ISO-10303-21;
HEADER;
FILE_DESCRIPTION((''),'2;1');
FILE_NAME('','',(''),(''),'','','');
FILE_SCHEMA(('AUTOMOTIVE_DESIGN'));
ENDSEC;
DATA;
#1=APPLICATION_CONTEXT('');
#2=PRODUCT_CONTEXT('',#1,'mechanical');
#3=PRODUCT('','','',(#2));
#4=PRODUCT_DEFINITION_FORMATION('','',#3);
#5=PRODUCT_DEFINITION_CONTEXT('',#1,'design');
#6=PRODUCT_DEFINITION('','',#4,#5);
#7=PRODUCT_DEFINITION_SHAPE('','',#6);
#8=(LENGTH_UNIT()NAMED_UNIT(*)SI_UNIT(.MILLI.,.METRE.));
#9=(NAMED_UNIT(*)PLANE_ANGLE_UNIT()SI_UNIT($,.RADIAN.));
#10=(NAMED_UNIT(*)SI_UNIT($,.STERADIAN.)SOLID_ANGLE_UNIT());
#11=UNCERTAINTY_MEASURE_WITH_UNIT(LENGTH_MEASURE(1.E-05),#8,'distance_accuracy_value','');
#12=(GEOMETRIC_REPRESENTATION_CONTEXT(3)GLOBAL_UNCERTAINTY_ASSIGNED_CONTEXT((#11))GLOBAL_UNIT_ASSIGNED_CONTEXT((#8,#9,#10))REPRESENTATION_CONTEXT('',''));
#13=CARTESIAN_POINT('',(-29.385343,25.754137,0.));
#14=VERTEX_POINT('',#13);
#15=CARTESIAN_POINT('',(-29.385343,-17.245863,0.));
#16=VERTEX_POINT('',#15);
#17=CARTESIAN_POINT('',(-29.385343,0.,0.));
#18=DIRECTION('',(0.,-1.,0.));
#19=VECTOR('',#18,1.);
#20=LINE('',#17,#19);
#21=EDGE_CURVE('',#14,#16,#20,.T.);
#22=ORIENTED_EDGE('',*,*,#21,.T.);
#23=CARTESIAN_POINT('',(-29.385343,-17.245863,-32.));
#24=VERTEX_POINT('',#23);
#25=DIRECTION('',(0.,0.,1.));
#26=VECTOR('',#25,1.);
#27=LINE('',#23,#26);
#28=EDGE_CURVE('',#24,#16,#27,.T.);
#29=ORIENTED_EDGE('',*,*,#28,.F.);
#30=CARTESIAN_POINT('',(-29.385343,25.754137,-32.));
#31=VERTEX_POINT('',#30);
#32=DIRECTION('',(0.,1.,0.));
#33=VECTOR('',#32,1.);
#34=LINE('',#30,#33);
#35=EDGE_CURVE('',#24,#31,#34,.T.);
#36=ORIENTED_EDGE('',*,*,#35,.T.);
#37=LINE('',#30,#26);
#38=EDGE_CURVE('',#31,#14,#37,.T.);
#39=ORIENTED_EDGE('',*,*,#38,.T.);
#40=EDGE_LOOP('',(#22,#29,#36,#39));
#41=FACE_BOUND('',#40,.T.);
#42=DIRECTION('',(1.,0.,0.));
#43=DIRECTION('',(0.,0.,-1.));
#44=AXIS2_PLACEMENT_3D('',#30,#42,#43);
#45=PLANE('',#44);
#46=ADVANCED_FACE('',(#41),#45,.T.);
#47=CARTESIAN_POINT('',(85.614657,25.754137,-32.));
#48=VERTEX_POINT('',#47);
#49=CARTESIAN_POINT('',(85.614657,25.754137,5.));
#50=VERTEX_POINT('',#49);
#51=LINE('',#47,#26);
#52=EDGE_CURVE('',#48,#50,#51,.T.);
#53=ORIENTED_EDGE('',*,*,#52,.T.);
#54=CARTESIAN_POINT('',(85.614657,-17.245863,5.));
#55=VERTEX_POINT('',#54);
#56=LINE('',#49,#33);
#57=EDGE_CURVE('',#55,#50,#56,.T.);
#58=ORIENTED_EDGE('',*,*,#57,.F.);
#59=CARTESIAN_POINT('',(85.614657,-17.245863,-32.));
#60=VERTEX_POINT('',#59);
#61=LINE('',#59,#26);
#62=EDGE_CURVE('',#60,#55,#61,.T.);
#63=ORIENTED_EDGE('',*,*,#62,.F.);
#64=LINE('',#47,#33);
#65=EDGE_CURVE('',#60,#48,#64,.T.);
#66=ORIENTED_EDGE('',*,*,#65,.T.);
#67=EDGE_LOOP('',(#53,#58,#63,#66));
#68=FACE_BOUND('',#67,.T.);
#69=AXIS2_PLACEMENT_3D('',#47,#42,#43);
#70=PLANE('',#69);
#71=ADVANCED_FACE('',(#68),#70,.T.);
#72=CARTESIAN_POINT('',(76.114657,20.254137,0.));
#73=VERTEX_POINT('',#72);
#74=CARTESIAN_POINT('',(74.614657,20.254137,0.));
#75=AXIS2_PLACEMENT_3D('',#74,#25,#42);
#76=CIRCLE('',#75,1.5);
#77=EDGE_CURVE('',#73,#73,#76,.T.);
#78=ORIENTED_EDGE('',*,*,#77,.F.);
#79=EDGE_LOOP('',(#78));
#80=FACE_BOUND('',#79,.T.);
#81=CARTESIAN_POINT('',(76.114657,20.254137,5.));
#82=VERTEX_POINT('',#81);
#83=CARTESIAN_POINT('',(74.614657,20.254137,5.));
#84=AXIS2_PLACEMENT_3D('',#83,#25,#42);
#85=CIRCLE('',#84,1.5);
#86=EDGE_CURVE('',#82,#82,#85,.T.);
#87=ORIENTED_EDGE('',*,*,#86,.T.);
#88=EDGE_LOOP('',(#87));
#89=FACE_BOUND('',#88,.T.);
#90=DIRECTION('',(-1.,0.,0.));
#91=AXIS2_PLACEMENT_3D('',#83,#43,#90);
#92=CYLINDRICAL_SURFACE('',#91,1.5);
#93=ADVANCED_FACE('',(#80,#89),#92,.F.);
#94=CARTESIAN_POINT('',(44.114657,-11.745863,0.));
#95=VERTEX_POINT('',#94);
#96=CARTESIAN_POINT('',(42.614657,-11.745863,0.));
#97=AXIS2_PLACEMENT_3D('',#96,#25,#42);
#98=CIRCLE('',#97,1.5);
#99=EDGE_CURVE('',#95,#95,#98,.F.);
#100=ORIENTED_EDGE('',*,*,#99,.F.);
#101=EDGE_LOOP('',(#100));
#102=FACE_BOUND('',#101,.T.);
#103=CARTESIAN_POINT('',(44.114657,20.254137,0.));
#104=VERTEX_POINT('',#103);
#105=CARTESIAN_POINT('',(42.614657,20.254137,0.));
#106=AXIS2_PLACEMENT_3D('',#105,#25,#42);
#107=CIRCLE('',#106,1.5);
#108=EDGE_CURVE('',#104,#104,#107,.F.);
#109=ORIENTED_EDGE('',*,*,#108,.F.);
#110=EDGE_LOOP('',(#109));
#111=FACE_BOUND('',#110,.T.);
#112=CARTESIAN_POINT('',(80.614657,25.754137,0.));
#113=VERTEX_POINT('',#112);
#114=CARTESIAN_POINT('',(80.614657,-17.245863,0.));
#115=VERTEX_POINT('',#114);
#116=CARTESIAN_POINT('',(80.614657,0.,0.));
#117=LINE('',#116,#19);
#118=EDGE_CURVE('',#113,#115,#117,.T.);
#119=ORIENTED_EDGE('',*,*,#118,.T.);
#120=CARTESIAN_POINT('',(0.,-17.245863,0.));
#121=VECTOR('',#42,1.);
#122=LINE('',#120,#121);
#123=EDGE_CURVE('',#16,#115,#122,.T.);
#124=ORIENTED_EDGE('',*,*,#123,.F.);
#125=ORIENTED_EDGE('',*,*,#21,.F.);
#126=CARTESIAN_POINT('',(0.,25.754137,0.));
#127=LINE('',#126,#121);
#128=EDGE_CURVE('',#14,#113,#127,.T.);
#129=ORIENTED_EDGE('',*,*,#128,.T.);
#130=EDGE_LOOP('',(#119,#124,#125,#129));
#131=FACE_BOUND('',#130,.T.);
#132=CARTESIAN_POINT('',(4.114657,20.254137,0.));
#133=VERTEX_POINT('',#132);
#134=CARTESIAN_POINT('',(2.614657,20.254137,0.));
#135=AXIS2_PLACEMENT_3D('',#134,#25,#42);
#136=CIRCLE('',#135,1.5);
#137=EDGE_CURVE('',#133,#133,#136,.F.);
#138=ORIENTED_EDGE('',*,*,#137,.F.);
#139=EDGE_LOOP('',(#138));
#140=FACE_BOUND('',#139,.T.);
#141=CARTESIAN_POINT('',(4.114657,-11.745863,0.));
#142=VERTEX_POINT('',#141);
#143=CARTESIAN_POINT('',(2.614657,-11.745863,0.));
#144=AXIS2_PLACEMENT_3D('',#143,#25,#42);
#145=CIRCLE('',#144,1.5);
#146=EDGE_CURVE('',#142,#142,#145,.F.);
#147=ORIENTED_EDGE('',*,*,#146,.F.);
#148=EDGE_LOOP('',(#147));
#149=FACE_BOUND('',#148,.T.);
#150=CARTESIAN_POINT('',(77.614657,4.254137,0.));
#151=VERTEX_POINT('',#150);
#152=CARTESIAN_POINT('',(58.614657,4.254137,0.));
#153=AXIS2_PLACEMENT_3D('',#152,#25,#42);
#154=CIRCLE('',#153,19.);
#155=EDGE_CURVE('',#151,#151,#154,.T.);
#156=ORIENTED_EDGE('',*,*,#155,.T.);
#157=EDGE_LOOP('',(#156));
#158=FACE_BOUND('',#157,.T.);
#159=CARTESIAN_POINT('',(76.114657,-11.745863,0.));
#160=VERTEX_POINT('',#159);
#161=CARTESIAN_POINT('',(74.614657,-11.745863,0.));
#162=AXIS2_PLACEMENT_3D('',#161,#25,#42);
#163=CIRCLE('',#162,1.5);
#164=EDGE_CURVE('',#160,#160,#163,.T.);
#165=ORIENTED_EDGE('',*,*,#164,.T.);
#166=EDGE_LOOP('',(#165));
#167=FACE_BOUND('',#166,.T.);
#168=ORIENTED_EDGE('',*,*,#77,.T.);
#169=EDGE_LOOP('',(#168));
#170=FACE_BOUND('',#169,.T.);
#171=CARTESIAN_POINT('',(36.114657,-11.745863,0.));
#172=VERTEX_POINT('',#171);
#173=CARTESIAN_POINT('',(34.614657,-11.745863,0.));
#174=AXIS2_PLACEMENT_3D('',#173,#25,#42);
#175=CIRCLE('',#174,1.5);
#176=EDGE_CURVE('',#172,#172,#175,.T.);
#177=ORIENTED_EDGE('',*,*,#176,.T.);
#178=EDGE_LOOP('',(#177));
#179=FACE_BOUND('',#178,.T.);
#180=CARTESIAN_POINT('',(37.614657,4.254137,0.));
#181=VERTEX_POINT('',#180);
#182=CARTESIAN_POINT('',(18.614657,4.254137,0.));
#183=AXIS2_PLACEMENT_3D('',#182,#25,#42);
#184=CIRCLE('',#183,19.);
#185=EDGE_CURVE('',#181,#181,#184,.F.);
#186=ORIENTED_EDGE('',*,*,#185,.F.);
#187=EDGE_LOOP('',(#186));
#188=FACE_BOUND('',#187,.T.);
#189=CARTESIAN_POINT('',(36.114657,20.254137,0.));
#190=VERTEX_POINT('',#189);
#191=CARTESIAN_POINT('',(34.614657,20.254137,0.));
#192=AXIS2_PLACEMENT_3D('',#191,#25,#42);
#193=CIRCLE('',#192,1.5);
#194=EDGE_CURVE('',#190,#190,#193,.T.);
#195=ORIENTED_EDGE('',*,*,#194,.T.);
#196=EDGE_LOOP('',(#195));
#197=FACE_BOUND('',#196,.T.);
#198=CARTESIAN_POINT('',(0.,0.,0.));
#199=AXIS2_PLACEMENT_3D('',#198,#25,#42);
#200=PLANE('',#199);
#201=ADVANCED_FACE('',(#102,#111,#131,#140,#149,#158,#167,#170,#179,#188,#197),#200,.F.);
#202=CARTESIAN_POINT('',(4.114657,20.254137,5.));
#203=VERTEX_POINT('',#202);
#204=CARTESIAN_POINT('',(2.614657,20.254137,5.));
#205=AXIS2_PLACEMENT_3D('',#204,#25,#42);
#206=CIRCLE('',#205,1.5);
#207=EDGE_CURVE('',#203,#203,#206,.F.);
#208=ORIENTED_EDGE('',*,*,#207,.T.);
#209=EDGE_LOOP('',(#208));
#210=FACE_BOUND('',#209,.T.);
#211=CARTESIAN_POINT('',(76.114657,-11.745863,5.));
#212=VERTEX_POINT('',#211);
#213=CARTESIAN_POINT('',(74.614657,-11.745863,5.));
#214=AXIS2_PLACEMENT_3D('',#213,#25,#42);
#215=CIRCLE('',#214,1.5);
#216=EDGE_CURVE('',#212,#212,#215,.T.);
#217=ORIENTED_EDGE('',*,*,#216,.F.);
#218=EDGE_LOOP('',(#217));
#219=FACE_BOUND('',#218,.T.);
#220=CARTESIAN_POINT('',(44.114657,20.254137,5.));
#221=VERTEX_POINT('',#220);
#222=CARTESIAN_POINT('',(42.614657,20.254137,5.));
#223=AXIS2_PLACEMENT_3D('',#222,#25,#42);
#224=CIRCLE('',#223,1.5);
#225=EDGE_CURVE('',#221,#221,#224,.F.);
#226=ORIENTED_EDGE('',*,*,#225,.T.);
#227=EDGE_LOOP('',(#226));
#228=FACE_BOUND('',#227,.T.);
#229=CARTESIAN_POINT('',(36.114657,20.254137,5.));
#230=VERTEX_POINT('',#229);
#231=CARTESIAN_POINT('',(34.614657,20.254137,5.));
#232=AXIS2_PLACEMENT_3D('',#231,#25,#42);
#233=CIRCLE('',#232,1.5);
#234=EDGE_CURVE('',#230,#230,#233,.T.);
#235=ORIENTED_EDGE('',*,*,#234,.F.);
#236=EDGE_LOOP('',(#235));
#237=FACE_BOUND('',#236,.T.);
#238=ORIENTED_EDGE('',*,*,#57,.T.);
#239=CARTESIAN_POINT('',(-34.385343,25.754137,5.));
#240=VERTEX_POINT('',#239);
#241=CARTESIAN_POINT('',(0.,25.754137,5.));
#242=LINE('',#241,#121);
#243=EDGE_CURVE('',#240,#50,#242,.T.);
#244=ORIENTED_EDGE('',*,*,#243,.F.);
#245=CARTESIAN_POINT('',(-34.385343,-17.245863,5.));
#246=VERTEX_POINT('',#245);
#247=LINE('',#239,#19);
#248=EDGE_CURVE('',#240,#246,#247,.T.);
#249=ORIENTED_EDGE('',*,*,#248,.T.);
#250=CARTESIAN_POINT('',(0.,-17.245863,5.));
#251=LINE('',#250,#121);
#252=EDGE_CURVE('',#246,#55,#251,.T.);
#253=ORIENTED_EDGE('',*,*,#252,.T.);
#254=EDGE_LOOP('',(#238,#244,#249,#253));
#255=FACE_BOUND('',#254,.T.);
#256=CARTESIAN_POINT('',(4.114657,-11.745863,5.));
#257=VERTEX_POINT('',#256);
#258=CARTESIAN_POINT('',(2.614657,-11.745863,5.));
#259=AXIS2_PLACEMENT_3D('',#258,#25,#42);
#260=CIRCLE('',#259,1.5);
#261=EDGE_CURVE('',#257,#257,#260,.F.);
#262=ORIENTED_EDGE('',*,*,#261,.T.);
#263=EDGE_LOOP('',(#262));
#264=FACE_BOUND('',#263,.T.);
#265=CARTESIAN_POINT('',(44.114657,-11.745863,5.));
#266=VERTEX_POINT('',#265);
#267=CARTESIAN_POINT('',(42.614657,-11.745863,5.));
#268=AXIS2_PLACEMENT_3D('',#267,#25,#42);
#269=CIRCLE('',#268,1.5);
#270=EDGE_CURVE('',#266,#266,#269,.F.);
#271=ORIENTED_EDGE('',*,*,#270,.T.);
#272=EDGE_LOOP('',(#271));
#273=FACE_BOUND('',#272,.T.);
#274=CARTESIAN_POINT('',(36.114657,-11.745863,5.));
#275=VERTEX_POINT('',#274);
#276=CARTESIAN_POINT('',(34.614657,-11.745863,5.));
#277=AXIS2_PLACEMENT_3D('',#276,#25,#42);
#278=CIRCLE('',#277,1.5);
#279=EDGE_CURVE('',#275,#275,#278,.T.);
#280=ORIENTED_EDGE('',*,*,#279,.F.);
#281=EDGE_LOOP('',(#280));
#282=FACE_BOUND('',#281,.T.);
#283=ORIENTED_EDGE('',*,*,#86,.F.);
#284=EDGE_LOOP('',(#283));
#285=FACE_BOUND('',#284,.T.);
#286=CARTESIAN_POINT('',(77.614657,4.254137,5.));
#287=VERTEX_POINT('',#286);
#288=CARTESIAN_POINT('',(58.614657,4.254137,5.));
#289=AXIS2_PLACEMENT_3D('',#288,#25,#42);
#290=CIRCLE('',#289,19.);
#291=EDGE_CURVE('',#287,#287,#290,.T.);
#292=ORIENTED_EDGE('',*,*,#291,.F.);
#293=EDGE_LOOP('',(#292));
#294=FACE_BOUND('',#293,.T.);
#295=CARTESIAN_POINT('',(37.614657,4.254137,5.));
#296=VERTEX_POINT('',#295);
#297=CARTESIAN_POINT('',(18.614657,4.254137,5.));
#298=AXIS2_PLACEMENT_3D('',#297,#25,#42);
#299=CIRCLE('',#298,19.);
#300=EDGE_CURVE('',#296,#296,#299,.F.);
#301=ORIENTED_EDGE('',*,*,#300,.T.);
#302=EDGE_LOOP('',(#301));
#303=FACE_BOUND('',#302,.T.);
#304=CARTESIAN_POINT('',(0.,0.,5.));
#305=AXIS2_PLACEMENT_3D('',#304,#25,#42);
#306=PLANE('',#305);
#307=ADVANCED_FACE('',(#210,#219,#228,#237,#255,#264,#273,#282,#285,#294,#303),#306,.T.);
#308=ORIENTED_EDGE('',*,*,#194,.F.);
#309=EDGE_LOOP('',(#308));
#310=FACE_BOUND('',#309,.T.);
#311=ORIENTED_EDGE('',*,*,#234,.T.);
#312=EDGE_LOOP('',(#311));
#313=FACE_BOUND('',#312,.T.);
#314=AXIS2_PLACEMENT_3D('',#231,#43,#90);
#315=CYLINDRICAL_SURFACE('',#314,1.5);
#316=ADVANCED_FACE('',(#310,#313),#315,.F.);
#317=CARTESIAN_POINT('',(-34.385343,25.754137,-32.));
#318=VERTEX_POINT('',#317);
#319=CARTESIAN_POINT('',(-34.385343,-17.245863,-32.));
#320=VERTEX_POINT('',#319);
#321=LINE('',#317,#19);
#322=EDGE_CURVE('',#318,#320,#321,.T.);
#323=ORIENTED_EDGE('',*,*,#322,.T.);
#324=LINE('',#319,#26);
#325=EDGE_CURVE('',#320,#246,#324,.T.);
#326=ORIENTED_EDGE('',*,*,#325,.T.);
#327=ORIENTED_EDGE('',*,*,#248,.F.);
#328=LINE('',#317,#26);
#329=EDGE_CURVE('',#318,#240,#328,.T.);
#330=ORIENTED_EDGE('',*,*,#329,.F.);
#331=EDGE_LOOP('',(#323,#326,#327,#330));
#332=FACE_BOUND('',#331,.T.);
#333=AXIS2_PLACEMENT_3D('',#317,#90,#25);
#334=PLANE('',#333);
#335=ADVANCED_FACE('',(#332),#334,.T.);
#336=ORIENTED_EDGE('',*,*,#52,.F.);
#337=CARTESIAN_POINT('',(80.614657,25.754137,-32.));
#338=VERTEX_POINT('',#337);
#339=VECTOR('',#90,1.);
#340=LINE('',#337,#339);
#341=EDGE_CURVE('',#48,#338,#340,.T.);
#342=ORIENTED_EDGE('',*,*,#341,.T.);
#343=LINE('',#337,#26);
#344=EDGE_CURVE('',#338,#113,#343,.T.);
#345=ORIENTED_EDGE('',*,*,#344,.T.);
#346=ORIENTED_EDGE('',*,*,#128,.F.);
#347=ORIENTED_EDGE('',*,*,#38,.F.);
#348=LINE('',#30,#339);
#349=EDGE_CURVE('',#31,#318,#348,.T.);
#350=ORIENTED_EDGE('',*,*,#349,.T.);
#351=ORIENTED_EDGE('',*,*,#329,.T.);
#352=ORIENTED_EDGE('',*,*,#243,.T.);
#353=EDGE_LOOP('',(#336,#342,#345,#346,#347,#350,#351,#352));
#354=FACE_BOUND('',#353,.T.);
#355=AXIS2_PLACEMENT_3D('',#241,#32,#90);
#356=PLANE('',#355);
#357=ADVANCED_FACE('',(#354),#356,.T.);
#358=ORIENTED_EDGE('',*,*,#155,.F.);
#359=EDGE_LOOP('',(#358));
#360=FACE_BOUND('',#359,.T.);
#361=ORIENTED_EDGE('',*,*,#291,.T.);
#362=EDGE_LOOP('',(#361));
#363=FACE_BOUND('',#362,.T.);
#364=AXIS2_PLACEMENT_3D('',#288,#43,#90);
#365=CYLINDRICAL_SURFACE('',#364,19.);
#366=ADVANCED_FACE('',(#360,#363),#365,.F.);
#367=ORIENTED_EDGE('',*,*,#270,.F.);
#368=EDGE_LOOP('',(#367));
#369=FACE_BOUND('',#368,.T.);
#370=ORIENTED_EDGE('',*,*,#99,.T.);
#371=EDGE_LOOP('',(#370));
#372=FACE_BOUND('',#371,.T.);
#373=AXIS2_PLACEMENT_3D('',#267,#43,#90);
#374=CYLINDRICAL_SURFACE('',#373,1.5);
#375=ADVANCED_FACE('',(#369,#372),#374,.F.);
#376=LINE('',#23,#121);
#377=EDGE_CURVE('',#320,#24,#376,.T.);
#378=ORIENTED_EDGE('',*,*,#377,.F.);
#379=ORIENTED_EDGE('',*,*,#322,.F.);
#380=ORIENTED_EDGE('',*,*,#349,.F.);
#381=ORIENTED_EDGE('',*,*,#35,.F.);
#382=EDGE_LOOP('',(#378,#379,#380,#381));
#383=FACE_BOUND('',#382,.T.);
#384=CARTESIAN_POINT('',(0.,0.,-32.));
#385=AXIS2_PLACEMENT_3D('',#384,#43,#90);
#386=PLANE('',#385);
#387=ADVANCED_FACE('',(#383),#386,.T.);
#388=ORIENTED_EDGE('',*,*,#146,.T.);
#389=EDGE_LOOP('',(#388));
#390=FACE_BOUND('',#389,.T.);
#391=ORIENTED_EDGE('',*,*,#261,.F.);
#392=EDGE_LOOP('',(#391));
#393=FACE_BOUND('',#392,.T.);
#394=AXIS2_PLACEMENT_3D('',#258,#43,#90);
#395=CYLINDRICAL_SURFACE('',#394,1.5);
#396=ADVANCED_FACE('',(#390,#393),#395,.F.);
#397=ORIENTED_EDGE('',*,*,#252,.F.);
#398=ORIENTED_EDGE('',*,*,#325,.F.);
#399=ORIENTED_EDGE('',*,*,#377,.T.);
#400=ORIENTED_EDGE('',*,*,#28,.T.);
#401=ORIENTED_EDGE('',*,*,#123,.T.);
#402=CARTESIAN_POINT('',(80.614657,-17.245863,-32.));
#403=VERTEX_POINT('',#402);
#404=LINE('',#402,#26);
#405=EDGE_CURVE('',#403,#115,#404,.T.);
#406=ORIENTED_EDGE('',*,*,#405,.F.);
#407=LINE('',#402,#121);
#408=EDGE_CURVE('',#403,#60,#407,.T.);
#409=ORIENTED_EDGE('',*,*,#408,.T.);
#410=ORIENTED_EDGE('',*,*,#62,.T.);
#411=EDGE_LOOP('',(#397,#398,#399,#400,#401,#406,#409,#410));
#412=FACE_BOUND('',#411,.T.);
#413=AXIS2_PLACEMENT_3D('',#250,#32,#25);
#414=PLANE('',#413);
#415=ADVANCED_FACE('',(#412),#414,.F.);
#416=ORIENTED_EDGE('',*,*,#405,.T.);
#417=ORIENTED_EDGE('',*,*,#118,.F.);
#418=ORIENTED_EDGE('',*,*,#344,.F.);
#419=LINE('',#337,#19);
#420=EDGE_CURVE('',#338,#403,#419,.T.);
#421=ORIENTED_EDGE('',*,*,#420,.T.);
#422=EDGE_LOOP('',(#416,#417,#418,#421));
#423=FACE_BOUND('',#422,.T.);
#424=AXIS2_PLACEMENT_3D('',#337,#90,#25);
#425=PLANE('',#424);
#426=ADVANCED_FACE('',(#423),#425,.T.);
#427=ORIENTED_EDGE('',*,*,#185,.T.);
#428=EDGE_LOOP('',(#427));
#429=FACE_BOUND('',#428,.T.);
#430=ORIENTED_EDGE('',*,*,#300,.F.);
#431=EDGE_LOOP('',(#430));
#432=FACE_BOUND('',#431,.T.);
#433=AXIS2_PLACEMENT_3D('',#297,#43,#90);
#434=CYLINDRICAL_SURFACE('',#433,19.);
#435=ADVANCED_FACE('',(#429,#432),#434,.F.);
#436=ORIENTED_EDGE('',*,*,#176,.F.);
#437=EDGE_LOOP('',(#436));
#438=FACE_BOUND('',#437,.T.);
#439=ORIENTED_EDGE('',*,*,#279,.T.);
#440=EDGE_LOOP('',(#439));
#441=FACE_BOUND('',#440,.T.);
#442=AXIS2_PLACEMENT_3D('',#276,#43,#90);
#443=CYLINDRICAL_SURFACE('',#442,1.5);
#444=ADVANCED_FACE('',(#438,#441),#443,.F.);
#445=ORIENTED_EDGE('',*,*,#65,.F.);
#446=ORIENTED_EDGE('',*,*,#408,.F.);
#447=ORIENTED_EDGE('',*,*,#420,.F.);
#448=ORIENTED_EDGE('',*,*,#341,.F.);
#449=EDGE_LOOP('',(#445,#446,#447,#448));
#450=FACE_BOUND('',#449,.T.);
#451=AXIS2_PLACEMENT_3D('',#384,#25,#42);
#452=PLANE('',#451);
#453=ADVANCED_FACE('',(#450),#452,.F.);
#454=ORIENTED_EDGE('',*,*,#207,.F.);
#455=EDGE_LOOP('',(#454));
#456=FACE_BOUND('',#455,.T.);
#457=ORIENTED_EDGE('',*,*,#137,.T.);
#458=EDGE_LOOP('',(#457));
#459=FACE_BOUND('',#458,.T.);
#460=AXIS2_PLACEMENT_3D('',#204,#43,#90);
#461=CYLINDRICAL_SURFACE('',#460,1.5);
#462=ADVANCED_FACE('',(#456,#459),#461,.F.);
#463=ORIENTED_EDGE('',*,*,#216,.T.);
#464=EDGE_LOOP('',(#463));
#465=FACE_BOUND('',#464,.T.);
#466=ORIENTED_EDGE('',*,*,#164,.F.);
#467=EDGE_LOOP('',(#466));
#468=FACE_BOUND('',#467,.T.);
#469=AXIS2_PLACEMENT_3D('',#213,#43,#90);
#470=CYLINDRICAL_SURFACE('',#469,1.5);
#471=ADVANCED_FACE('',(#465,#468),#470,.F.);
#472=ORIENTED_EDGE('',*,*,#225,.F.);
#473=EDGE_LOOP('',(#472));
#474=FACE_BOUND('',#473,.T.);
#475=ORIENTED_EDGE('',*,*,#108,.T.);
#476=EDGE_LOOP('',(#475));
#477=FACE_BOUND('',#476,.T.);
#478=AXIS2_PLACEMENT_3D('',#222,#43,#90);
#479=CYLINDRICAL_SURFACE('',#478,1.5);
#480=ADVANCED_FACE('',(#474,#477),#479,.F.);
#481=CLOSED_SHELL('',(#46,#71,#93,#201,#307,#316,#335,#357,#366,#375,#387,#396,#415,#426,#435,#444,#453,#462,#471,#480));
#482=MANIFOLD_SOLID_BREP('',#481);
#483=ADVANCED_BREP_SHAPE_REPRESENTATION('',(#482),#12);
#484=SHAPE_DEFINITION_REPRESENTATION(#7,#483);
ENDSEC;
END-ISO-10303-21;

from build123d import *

# Parameters (mm, degrees)
SKETCH_1_W      = 110
SKETCH_1_H      = 43
SKETCH_1_R      = 19
SKETCH_1_R_2    = 1.5
EXTRUDE_2_DEPTH = 5
SKETCH_2_W      = 5
SKETCH_2_H      = 43
EXTRUDE_4_DEPTH = 37


with BuildPart() as part:
    # 草图1 → 凸台-拉伸2 (new body)
    with BuildSketch(Plane.XY):
        with Locations((25.61465721, 4.254137116)):
            Rectangle(SKETCH_1_W, SKETCH_1_H)
        with Locations((58.61465721, 4.254137116)):
            Circle(SKETCH_1_R, mode=Mode.SUBTRACT)
        with Locations((74.61465721, 20.254137116)):
            Circle(SKETCH_1_R_2, mode=Mode.SUBTRACT)
        with Locations((74.61465721, -11.745862884)):
            Circle(SKETCH_1_R_2, mode=Mode.SUBTRACT)
        with Locations((42.61465721, -11.745862884)):
            Circle(SKETCH_1_R_2, mode=Mode.SUBTRACT)
        with Locations((42.61465721, 20.254137116)):
            Circle(SKETCH_1_R_2, mode=Mode.SUBTRACT)
        with Locations((34.61465721, -11.745862884)):
            Circle(SKETCH_1_R_2, mode=Mode.SUBTRACT)
        with Locations((2.61465721, -11.745862884)):
            Circle(SKETCH_1_R_2, mode=Mode.SUBTRACT)
        with Locations((2.61465721, 20.254137116)):
            Circle(SKETCH_1_R_2, mode=Mode.SUBTRACT)
        with Locations((34.61465721, 20.254137116)):
            Circle(SKETCH_1_R_2, mode=Mode.SUBTRACT)
        with Locations((18.61465721, 4.254137116)):
            Circle(SKETCH_1_R, mode=Mode.SUBTRACT)
    extrude(amount=EXTRUDE_2_DEPTH)

    # 草图2 → 凸台-拉伸4 (add)
    with BuildSketch(Plane.XY.offset(5)):
        with Locations((83.11465721, 4.254137116)):
            Rectangle(SKETCH_2_W, SKETCH_2_H)
        with Locations((-31.88534279, 4.254137116)):
            Rectangle(SKETCH_2_W, SKETCH_2_H)
    extrude(amount=-EXTRUDE_4_DEPTH)


solid = part.part
